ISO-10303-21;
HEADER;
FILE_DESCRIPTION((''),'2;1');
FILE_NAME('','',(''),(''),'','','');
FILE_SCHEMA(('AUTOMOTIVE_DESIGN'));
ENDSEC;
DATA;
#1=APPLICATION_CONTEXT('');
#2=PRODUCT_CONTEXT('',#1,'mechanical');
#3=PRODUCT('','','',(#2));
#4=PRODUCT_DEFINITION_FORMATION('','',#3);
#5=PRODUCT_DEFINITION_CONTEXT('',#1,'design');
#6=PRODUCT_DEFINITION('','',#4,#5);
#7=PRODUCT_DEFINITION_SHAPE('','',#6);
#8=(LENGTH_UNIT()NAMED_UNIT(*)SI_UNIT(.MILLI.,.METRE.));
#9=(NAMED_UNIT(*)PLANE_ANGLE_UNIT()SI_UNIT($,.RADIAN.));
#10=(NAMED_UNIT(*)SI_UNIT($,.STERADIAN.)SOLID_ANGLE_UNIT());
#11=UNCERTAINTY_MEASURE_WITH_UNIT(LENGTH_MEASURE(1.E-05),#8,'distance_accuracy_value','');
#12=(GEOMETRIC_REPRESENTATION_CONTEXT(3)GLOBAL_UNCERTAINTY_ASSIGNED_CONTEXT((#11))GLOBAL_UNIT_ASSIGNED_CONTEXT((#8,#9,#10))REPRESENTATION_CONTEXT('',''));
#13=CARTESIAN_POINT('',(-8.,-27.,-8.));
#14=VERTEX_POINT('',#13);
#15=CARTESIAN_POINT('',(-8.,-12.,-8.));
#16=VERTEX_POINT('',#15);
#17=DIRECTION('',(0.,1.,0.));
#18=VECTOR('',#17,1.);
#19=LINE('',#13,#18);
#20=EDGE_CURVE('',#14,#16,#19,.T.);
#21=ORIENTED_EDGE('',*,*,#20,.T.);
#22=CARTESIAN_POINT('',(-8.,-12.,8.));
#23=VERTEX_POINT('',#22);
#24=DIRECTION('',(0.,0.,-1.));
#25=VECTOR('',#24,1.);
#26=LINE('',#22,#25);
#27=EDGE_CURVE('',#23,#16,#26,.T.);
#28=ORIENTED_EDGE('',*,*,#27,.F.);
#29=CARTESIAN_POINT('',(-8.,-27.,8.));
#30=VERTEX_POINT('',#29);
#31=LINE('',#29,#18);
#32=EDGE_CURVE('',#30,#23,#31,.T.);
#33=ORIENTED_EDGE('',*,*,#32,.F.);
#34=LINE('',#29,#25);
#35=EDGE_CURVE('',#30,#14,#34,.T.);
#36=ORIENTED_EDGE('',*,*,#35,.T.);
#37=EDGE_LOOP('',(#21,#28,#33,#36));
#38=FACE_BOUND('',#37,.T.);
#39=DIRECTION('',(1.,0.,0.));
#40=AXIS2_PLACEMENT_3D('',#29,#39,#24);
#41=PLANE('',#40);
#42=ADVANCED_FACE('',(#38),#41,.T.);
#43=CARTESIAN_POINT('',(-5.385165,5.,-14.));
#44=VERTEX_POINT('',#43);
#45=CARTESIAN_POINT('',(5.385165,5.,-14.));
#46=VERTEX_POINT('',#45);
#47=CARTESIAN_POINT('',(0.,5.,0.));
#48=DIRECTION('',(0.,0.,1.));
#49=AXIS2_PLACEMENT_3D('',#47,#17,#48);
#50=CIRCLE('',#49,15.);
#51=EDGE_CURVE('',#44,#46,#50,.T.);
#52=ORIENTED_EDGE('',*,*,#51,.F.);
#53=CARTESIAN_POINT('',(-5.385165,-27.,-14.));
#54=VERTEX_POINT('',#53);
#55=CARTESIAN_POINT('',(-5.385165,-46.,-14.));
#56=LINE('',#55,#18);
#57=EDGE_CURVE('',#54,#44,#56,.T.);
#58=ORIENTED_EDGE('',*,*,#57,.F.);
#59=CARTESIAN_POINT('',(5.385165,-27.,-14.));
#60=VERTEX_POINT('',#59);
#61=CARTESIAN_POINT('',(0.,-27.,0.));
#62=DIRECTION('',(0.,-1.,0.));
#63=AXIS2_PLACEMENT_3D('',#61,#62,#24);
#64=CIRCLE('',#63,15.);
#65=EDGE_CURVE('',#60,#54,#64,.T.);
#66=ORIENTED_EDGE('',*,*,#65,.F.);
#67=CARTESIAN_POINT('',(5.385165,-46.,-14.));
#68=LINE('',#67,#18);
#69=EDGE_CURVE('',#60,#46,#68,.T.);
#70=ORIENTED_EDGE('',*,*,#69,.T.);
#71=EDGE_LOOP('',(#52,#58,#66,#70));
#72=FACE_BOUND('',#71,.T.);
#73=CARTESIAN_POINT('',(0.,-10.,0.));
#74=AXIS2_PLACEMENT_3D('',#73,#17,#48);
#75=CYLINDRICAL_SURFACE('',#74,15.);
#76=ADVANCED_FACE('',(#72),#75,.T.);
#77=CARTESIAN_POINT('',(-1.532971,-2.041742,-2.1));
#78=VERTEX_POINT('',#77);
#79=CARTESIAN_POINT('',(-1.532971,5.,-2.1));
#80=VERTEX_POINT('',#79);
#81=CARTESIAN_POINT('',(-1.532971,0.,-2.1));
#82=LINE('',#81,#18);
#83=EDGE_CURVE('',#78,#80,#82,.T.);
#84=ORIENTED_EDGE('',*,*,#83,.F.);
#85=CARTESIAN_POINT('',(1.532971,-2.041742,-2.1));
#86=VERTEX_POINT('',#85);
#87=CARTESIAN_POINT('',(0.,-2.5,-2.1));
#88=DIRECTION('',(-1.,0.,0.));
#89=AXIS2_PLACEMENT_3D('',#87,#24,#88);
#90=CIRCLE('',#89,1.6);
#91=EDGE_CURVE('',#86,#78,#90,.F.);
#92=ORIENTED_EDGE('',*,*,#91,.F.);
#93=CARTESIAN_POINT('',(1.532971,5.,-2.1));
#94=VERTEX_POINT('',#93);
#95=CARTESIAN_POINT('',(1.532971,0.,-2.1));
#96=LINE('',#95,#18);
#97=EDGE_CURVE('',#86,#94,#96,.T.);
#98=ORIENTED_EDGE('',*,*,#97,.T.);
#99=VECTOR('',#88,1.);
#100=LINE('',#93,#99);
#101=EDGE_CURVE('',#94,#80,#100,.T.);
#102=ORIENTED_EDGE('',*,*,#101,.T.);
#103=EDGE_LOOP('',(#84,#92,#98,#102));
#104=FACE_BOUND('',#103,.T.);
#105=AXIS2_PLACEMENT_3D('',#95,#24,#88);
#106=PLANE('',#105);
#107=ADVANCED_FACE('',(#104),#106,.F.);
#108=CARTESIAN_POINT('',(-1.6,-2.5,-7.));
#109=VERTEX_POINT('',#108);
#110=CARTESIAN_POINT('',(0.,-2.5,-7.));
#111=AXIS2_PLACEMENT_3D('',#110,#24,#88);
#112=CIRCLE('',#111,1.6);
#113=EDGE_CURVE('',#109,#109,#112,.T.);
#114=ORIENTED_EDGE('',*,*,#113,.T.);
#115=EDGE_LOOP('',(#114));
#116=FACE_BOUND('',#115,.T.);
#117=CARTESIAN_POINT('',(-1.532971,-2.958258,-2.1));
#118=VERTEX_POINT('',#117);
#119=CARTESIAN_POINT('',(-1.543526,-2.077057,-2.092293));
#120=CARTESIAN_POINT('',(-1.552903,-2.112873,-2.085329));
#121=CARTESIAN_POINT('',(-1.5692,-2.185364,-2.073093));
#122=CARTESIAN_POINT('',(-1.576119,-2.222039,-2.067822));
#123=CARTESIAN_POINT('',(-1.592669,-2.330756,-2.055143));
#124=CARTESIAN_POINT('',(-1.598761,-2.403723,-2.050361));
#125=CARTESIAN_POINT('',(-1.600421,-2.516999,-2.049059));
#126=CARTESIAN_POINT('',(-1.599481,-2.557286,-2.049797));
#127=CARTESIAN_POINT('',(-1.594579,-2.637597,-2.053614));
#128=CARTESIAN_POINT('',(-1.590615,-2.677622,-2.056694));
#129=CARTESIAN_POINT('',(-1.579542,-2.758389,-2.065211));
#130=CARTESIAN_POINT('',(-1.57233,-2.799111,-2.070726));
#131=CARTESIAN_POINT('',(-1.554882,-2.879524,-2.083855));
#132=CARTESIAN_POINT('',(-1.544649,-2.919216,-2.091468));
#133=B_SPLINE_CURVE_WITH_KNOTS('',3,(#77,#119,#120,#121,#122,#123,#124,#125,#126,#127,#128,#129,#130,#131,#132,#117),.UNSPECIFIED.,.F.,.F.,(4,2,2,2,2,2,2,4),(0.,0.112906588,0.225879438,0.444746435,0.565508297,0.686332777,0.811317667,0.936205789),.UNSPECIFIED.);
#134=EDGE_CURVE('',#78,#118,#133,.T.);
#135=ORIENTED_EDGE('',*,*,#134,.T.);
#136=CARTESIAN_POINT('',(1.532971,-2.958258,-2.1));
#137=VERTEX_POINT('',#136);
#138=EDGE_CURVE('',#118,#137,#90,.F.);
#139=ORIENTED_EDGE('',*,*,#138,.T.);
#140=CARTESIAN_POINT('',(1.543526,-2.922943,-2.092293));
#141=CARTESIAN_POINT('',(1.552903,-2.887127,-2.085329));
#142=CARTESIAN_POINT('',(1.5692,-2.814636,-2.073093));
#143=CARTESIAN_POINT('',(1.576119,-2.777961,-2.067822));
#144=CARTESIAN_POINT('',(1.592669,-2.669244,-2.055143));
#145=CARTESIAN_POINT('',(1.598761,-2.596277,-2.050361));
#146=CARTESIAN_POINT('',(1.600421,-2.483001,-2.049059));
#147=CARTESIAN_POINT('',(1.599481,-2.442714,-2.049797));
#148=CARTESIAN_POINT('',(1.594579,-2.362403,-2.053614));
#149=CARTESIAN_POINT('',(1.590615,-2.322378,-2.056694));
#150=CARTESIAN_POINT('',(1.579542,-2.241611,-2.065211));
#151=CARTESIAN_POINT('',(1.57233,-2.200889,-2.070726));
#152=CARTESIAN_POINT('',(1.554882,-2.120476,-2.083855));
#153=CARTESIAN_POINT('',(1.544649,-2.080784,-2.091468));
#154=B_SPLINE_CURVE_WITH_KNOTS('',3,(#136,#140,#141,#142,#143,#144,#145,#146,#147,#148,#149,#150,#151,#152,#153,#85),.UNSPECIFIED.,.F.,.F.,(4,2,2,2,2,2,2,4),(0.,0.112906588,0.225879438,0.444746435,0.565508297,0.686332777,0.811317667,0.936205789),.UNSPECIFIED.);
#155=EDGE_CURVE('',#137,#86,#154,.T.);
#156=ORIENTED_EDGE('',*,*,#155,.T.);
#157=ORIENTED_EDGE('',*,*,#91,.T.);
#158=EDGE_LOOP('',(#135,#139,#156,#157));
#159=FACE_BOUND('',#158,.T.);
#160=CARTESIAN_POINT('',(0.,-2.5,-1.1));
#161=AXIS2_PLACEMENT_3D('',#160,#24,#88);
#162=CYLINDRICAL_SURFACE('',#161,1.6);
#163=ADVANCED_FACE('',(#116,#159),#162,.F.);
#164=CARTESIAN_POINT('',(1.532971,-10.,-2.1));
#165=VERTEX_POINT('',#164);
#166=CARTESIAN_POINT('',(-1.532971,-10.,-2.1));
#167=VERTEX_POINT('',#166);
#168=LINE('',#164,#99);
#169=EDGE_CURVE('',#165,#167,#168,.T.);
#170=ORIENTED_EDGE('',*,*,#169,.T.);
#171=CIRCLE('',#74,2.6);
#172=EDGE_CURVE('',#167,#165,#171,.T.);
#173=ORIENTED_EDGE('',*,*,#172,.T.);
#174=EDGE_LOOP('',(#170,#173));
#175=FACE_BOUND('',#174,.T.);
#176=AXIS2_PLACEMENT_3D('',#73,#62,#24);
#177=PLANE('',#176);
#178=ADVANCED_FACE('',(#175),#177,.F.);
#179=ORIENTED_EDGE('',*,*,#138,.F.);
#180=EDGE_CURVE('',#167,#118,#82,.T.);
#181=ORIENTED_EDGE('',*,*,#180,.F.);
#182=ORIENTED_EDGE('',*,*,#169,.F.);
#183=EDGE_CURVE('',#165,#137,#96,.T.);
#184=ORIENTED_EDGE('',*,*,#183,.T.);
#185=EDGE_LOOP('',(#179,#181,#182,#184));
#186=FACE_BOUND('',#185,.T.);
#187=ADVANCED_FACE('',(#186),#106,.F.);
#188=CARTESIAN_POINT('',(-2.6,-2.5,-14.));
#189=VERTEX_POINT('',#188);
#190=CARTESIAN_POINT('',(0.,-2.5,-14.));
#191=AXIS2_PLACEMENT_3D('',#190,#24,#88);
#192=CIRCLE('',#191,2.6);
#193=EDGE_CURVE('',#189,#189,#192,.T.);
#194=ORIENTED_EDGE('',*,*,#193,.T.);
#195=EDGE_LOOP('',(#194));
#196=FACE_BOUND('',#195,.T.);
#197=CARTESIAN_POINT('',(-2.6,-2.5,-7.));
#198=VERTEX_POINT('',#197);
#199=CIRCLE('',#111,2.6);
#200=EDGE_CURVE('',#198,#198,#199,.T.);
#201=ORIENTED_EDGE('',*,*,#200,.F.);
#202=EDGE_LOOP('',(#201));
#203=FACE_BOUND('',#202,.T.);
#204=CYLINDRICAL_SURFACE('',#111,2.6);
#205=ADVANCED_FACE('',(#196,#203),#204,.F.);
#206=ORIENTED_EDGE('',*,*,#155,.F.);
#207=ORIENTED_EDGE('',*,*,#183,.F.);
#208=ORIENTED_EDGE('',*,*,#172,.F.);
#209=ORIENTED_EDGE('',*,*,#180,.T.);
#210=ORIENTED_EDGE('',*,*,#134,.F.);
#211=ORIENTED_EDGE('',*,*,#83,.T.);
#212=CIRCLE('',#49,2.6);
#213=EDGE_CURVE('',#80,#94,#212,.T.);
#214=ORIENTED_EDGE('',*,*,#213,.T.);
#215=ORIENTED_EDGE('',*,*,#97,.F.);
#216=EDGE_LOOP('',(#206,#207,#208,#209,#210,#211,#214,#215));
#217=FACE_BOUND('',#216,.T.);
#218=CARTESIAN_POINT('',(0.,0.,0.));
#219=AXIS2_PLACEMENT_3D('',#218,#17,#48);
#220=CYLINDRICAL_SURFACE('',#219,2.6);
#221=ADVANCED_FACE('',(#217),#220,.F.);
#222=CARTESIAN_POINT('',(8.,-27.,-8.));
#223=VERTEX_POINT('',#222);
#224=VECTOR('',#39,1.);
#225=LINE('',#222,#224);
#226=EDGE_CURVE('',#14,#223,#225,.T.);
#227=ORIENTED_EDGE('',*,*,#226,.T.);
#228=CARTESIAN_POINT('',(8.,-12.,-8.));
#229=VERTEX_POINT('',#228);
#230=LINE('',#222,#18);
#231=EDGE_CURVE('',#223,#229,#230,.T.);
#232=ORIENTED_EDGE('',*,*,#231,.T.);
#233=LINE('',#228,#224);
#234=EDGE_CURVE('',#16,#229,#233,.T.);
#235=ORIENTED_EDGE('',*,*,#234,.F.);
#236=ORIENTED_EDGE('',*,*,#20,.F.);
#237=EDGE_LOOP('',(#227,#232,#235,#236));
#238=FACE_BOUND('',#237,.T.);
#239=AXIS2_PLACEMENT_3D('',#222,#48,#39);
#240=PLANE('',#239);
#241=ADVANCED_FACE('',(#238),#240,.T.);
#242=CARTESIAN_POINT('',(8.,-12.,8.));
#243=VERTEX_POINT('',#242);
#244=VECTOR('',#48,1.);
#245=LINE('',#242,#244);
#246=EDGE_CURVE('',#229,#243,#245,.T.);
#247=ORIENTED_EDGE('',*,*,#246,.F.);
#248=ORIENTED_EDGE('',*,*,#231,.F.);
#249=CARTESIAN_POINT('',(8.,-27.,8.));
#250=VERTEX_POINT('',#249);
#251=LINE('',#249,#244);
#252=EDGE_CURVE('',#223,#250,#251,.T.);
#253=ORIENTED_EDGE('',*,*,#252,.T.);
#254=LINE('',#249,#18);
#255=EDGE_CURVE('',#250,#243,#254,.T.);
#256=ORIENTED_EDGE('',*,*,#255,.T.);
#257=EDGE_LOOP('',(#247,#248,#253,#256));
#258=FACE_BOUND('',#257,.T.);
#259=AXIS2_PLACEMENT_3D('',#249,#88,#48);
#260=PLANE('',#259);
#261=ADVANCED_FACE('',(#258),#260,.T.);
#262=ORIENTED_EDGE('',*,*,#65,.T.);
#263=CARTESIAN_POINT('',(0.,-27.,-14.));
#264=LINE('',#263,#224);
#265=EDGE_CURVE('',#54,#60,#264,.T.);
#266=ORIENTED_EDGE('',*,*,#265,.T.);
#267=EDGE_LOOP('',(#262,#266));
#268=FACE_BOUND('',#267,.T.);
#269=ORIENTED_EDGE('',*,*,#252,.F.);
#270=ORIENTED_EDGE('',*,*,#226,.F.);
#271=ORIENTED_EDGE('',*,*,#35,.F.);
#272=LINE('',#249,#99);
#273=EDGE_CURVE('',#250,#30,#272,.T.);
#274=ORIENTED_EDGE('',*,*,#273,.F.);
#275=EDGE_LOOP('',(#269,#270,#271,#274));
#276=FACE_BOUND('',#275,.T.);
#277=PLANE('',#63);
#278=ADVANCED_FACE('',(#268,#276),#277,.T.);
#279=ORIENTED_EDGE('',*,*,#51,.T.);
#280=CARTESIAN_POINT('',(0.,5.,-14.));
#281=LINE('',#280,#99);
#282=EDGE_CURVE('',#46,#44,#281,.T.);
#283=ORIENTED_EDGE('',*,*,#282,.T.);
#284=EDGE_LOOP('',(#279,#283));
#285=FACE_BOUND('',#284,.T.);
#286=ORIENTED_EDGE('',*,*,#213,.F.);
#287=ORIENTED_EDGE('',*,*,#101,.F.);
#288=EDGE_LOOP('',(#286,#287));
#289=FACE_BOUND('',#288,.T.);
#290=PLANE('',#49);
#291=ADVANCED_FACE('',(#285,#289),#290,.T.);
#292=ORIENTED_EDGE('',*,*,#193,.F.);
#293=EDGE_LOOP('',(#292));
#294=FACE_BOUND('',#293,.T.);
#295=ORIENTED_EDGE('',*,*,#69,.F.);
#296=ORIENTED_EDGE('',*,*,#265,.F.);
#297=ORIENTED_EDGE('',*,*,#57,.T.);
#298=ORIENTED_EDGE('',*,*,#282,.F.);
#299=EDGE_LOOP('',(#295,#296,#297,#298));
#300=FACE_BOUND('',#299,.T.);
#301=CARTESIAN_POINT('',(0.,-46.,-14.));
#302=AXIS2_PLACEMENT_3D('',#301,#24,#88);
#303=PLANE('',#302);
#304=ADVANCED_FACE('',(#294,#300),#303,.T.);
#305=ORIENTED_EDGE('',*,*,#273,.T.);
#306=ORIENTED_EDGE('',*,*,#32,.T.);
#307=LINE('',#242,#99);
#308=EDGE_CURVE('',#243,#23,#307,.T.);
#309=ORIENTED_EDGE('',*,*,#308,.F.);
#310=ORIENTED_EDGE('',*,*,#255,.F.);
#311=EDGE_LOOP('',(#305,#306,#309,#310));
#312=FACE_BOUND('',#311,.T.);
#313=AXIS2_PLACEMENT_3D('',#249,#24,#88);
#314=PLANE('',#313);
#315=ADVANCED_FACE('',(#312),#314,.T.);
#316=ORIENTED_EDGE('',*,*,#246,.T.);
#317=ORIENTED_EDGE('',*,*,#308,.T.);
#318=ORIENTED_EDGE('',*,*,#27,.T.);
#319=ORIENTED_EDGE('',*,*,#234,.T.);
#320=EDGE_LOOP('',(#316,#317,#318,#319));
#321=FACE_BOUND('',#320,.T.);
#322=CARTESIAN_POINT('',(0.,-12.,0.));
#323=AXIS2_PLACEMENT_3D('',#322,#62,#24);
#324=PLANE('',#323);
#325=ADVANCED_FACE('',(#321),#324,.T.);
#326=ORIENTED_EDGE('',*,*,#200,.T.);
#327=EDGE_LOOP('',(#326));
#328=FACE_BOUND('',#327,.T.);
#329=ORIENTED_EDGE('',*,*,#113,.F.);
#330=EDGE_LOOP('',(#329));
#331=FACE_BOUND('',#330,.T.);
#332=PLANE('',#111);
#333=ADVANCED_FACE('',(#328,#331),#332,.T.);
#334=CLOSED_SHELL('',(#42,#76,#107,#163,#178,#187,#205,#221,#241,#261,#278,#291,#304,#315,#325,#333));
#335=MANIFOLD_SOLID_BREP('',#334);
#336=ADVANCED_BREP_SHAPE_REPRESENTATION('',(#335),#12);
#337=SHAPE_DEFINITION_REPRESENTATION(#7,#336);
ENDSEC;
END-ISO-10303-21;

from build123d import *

# Parameters (mm, degrees)
SKETCH1_R               = 6
BOSS_EXTRUDE1_DEPTH     = 5
BOSS_EXTRUDE2_START     = -5
BOSS_EXTRUDE2_DEPTH     = 5
CUT_EXTRUDE1_DEPTH      = 5
SKETCH4_R               = 15
BOSS_EXTRUDE3_DEPTH     = 15
SKETCH5_R               = 15
BOSS_EXTRUDE4_DEPTH     = 2
SKETCH6_R               = 15
SKETCH6_W               = 16
SKETCH6_H               = 16
BOSS_EXTRUDE5_DEPTH     = 15
CUT_EXTRUDE2_DEPTH      = 51
CUT_EXTRUDE5_DEPTH      = 1
CUT_EXTRUDE5_DEPTH_BACK = 51
SKETCH10_R              = 2.6
CUT_EXTRUDE6_DEPTH      = 7


with BuildPart() as part:
    # Sketch1 → Boss-Extrude1 (new body)
    with BuildSketch(Plane(origin=(0, 0, 0), x_dir=(1, 0, 0), z_dir=(0, 1, 0))):
        with Locations(Location((0, 0, 0), (0, 0, 270))):
            Circle(SKETCH1_R)
        with BuildLine():
            ThreePointArc((-1.549193338, 2.15), (0, -2.65), (1.549193338, 2.15))
            Line((1.549193338, 2.15), (-1.549193338, 2.15))
        make_face(mode=Mode.SUBTRACT)
    extrude(amount=BOSS_EXTRUDE1_DEPTH)

    # Sketch2 → Boss-Extrude2 (add)
    with BuildSketch(Plane(origin=(0, 5, 0), x_dir=(1, 0, 0), z_dir=(0, 1, 0)).offset(BOSS_EXTRUDE2_START)):
        with BuildLine():
            Line((1.549193338, 2.15), (-1.549193338, 2.15))
            ThreePointArc((-1.549193338, 2.15), (0, -2.65), (1.549193338, 2.15))
        make_face()
        with BuildLine():
            Line((1.526433752, 2.08), (-1.526433752, 2.08))
            ThreePointArc((-1.526433752, 2.08), (0, -2.58), (1.526433752, 2.08))
        make_face(mode=Mode.SUBTRACT)
    extrude(amount=BOSS_EXTRUDE2_DEPTH)

    # Sketch3 → Cut-Extrude1 (cut)
    with BuildSketch(Plane(origin=(0, 5, 0), x_dir=(1, 0, 0), z_dir=(0, 1, 0))):
        with BuildLine():
            Line((1.532970972, 2.1), (-1.532970972, 2.1))
            ThreePointArc((-1.532970972, 2.1), (0, -2.6), (1.532970972, 2.1))
        make_face()
    extrude(amount=-CUT_EXTRUDE1_DEPTH, mode=Mode.SUBTRACT)

    # Sketch4 → Boss-Extrude3 (add)
    with BuildSketch(Plane(origin=(0, 5, 0), x_dir=(1, 0, 0), z_dir=(0, 1, 0))):
        with Locations(Location((0, 0, 0), (0, 0, 270))):
            Circle(SKETCH4_R)
        with BuildLine():
            Line((1.532970972, 2.1), (-1.532970972, 2.1))
            ThreePointArc((-1.532970972, 2.1), (0, -2.6), (1.532970972, 2.1))
        make_face(mode=Mode.SUBTRACT)
    extrude(amount=-BOSS_EXTRUDE3_DEPTH)

    # Sketch5 → Boss-Extrude4 (add)
    with BuildSketch(Plane.XZ.offset(10)):
        with Locations(Location((0, 0, 0), (0, 0, 90))):
            Circle(SKETCH5_R)
    extrude(amount=BOSS_EXTRUDE4_DEPTH)

    # Sketch6 → Boss-Extrude5 (add)
    with BuildSketch(Plane.XZ.offset(12)):
        with Locations(Location((0, 0, 0), (0, 0, 90))):
            Circle(SKETCH6_R)
        Rectangle(SKETCH6_W, SKETCH6_H, mode=Mode.SUBTRACT)
    extrude(amount=BOSS_EXTRUDE5_DEPTH)

    # Sketch7 → Cut-Extrude2 (cut)
    with BuildSketch(Plane(origin=(0, 5, 0), x_dir=(1, 0, 0), z_dir=(0, 1, 0))):
        with BuildLine():
            Line((0, 14), (0, 15))
            ThreePointArc((0, 15), (-2.738612788, 14.747881204), (-5.385164807, 14))
            Line((-5.385164807, 14), (0, 14))
        make_face()
        with BuildLine():
            ThreePointArc((5.385164807, 14), (2.738612788, 14.747881204), (0, 15))
            Line((0, 15), (0, 14))
            Line((0, 14), (5.385164807, 14))
        make_face()
    extrude(amount=-CUT_EXTRUDE2_DEPTH, mode=Mode.SUBTRACT)

    # Sketch8 → Cut-Extrude5 (cut, two sides: drawn at the far end of the back side and taken through both)
    with BuildSketch(Plane.XY.offset(-2.1).offset(-CUT_EXTRUDE5_DEPTH_BACK)):
        with BuildLine():
            Line((1.532970972, -2.041742431), (1.532970972, -2.5))
            Line((1.532970972, -2.5), (1.532970972, -2.958257569))
            ThreePointArc((1.532970972, -2.958257569), (1.58315406, -2.731566886), (1.6, -2.5))
            ThreePointArc((1.6, -2.5), (1.58315406, -2.268433114), (1.532970972, -2.041742431))
        make_face()
        with BuildLine():
            Line((-1.532970972, -2.041742431), (-1.532970972, -2.5))
            Line((-1.532970972, -2.5), (1.532970972, -2.5))
            Line((1.532970972, -2.5), (1.532970972, -2.041742431))
            ThreePointArc((1.532970972, -2.041742431), (0, -0.9), (-1.532970972, -2.041742431))
        make_face()
        with BuildLine():
            Line((1.532970972, -2.5), (-1.532970972, -2.5))
            Line((-1.532970972, -2.5), (-1.532970972, -2.958257569))
            ThreePointArc((-1.532970972, -2.958257569), (0, -4.1), (1.532970972, -2.958257569))
            Line((1.532970972, -2.958257569), (1.532970972, -2.5))
        make_face()
        with BuildLine():
            Line((-1.532970972, -2.958257569), (-1.532970972, -2.5))
            Line((-1.532970972, -2.5), (-1.532970972, -2.041742431))
            ThreePointArc((-1.532970972, -2.041742431), (-1.6, -2.5), (-1.532970972, -2.958257569))
        make_face()
    extrude(amount=CUT_EXTRUDE5_DEPTH + CUT_EXTRUDE5_DEPTH_BACK, mode=Mode.SUBTRACT)

    # Sketch10 → Cut-Extrude6 (cut)
    with BuildSketch(Plane(origin=(0, 0, -14), x_dir=(-1, 0, 0), z_dir=(0, 0, -1))):
        with Locations((0, -2.5)):
            Circle(SKETCH10_R)
    extrude(amount=-CUT_EXTRUDE6_DEPTH, mode=Mode.SUBTRACT)


solid = part.part
